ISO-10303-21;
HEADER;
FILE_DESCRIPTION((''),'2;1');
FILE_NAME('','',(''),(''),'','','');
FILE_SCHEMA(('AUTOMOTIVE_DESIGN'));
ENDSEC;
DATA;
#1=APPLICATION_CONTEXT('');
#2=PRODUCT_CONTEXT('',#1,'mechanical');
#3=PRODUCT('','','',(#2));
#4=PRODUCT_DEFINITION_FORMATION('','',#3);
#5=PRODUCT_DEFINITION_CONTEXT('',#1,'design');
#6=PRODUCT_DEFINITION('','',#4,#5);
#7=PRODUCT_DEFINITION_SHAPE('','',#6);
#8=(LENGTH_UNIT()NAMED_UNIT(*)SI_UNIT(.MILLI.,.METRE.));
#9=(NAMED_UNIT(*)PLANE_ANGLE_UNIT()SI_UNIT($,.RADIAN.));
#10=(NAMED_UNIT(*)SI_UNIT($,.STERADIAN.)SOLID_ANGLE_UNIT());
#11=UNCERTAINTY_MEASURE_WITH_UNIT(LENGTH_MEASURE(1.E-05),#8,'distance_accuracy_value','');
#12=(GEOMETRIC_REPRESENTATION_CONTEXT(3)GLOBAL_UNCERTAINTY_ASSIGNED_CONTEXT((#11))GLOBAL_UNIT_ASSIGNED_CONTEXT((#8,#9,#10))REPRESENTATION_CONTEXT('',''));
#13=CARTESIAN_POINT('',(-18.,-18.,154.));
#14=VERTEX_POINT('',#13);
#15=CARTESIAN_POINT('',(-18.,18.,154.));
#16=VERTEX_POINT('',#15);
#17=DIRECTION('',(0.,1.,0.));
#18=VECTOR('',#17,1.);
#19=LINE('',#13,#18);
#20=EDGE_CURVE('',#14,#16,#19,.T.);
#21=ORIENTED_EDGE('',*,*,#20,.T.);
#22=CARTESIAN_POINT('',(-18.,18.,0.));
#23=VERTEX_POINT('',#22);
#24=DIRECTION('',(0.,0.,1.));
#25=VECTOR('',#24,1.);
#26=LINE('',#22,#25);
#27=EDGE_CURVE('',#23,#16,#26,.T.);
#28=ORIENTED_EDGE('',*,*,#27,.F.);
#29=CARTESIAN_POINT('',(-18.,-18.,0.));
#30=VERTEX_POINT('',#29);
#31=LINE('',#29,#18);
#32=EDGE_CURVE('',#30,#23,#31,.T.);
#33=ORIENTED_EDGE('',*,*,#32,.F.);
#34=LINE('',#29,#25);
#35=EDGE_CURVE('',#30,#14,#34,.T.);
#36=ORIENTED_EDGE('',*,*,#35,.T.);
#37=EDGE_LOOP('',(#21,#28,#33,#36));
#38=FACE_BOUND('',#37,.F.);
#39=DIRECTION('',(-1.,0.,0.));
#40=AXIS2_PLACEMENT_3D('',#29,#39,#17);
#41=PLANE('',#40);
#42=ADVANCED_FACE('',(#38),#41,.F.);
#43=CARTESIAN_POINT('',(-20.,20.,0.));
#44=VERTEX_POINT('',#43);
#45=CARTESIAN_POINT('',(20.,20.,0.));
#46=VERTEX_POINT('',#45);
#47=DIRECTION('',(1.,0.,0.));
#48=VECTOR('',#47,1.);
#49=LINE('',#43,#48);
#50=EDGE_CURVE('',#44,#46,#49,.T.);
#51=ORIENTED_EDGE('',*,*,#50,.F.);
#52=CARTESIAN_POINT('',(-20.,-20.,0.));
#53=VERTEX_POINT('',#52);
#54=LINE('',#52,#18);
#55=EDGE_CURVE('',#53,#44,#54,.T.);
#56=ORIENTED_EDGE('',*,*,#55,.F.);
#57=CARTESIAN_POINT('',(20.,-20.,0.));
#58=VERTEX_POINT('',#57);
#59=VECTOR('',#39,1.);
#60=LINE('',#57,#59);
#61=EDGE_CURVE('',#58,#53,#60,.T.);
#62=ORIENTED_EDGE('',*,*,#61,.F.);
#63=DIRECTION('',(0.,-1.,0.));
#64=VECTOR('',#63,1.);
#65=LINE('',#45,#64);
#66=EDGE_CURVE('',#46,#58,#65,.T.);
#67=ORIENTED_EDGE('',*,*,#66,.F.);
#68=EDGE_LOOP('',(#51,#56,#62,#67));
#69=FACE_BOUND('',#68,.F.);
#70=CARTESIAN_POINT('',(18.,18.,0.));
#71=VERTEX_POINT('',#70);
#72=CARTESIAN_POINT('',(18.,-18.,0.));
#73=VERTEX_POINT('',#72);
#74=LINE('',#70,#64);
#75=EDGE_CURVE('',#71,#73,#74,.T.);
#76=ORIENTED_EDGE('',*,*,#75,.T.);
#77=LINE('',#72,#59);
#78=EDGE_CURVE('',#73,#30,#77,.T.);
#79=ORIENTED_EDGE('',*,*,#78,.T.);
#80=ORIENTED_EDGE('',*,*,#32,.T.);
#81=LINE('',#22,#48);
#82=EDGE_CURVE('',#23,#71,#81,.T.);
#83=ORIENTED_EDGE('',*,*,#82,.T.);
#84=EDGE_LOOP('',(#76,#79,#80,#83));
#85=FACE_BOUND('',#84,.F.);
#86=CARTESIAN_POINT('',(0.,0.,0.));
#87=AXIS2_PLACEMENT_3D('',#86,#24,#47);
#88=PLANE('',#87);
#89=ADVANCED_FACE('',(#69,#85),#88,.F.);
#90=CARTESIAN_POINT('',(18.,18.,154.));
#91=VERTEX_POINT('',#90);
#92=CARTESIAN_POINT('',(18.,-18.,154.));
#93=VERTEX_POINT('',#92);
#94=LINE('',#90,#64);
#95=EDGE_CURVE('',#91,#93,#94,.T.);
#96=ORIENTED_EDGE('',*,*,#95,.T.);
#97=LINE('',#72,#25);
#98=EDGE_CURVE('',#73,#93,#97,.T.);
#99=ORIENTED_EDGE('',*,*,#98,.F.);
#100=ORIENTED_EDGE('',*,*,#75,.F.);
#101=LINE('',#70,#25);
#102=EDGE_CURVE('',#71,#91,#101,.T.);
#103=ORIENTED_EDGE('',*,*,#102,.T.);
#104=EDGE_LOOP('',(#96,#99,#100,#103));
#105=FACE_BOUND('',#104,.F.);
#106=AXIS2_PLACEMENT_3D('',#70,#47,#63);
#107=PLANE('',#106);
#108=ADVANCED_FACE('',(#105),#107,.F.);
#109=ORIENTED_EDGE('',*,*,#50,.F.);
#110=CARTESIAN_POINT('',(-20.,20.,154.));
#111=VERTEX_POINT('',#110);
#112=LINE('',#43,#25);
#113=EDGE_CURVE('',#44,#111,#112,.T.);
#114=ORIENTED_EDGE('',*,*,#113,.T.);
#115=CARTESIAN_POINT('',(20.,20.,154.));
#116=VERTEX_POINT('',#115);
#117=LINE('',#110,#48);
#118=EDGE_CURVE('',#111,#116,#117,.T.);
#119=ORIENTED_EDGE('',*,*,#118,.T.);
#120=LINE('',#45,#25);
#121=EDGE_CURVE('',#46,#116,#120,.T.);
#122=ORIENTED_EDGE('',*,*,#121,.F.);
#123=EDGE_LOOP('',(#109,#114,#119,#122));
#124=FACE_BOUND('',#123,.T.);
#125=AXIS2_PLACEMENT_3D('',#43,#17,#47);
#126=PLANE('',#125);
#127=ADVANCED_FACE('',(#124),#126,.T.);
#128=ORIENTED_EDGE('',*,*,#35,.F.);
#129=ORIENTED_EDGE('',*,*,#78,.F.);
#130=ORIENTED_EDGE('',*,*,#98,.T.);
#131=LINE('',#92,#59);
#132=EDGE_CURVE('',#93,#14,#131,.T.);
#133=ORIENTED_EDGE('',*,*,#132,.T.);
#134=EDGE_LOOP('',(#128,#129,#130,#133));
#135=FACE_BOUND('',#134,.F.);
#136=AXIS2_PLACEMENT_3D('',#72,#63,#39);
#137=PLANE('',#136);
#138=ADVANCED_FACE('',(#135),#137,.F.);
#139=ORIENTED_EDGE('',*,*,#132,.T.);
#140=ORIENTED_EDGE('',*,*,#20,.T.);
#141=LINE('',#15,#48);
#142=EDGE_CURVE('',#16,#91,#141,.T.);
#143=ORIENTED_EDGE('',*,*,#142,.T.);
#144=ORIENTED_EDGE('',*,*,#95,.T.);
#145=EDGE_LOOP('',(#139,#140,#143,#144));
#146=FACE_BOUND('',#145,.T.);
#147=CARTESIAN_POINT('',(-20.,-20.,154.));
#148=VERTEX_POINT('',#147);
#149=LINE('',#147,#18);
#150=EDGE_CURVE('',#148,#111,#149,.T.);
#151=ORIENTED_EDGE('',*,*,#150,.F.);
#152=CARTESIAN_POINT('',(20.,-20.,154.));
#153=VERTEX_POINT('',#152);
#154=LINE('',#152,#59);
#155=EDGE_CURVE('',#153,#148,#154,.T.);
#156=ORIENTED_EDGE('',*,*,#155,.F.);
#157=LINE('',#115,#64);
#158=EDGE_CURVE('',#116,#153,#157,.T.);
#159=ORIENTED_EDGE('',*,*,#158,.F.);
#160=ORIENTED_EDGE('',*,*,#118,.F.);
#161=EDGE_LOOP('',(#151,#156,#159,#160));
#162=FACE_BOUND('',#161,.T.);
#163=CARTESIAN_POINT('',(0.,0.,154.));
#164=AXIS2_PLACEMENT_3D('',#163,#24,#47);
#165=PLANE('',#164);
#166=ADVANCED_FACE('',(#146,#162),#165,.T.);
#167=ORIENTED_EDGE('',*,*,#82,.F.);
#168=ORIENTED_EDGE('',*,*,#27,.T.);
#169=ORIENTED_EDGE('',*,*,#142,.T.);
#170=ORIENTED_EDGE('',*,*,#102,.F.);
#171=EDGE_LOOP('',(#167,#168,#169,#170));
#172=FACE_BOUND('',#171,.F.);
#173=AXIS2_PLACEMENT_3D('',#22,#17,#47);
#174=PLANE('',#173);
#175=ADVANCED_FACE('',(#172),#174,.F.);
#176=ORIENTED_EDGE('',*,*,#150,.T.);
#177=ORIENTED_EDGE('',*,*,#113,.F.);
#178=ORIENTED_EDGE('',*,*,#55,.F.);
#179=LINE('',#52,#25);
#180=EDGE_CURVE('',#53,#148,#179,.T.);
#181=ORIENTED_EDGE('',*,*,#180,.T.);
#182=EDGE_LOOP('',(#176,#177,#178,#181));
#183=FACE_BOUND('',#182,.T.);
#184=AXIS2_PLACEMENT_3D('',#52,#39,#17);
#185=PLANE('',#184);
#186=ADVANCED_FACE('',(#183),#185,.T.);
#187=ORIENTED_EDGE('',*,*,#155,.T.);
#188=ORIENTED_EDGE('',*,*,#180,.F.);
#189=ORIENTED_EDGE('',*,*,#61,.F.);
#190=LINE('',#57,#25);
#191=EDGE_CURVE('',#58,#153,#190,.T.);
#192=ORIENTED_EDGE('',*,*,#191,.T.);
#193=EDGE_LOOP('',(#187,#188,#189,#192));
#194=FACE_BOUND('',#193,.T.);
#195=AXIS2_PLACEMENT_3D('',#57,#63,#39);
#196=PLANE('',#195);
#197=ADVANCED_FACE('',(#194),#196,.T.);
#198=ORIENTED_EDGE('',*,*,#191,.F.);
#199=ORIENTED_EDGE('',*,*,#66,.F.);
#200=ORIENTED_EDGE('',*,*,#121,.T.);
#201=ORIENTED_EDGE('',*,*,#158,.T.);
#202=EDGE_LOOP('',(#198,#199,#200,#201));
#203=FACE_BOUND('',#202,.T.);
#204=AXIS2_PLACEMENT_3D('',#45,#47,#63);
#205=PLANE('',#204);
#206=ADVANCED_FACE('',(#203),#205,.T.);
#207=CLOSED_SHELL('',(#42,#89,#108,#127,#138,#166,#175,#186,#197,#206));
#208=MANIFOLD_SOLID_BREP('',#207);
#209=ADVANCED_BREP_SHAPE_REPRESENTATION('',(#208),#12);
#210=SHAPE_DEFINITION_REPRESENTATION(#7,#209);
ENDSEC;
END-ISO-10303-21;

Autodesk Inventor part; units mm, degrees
ref_plane "YZ Plane" through (0, 0, 0) normal (1, 0, 0) x (0, 1, 0)
ref_plane "XZ Plane" through (0, 0, 0) normal (0, 1, 0) x (-1, 0, 0)
ref_plane "XY Plane" through (0, 0, 0) normal (0, 0, 1) x (1, 0, 0)
sketch "Boceto1" plane through (0, 0, 0) normal (0, 0, 1) x (1, 0, 0)
  line L0 (-20, 20) -> (20, 20)
  line L1 (20, 20) -> (20, -20)
  line L2 (20, -20) -> (-20, -20)
  line L3 (-20, -20) -> (-20, 20)
  line L4 (-20, 20) -> (20, -20) construction
  line L5 (-18, 18) -> (18, 18)
  line L6 (18, 18) -> (18, -18)
  line L7 (18, -18) -> (-18, -18)
  line L8 (-18, -18) -> (-18, 18)
  line L9 (-18, 0) -> (-20, 0) construction
  line L10 (0, 18) -> (0, 20) construction
  line L11 (18, 0) -> (20, 0) construction
  line L12 (0, -18) -> (0, -20) construction
  point P0 (0, 0)
  point P1 (0, 0)
  dimension "d0" = 40
  dimension "d1" = 2
extrude "Extrusión1" add sketch "Boceto1" along normal blind 154
properties part number "C_358_40_2"
